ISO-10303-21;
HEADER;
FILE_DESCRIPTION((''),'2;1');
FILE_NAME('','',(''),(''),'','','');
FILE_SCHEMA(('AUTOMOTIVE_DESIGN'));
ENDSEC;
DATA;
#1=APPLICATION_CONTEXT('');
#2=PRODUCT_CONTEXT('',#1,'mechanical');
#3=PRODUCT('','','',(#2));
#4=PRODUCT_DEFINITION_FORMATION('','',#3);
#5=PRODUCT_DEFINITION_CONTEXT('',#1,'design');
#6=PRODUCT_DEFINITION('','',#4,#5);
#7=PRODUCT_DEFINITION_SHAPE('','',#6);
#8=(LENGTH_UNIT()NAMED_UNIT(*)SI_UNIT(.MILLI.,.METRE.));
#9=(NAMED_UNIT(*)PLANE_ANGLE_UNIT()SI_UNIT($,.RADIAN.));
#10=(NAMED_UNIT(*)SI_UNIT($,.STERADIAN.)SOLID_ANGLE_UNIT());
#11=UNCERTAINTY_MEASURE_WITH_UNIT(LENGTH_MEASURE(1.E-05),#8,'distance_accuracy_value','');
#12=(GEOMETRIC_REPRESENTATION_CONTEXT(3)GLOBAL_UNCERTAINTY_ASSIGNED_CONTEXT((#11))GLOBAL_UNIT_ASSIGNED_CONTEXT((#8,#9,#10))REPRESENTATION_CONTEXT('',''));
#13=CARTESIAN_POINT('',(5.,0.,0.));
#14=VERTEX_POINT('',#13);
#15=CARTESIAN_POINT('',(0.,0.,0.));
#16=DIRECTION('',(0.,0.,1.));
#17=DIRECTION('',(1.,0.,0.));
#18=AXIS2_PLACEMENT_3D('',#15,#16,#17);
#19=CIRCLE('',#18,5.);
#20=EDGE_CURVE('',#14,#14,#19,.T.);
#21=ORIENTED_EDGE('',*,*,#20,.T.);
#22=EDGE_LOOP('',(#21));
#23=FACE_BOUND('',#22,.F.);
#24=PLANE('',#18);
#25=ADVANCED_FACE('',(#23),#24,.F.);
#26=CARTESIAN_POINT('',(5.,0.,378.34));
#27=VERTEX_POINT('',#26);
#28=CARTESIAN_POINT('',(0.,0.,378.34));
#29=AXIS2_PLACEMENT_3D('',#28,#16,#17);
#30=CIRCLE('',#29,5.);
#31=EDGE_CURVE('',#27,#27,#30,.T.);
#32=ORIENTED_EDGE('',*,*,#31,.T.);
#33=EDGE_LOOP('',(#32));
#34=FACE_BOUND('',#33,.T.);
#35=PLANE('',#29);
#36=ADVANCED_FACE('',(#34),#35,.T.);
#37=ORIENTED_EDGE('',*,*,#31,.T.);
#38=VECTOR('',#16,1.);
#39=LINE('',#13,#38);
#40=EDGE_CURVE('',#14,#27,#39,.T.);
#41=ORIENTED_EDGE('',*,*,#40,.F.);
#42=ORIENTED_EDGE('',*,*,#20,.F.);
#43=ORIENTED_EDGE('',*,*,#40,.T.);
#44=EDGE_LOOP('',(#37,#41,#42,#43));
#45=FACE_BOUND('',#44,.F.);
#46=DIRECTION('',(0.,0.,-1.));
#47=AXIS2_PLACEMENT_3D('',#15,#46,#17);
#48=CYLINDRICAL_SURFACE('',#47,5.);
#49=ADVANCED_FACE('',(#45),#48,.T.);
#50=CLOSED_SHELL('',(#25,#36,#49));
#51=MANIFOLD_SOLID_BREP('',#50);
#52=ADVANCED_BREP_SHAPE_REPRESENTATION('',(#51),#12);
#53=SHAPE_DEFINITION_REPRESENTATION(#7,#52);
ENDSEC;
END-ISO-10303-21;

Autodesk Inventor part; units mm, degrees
ref_plane "YZ Plane" through (0, 0, 0) normal (1, 0, 0) x (0, 1, 0)
ref_plane "XZ Plane" through (0, 0, 0) normal (0, 1, 0) x (-1, 0, 0)
ref_plane "XY Plane" through (0, 0, 0) normal (0, 0, 1) x (1, 0, 0)
sketch "スケッチ1" plane through (0, 0, 0) normal (0, 0, 1) x (1, 0, 0)
  circle A0 centre (0, 0) radius 5
  dimension "d0" = 10
extrude "押し出し1" add sketch "スケッチ1" along normal blind 378.34
thread "ねじ1" size "M10x1.5" class "6g" standard "ANSI Metric M Profile" full length
properties part number "ロッド"
